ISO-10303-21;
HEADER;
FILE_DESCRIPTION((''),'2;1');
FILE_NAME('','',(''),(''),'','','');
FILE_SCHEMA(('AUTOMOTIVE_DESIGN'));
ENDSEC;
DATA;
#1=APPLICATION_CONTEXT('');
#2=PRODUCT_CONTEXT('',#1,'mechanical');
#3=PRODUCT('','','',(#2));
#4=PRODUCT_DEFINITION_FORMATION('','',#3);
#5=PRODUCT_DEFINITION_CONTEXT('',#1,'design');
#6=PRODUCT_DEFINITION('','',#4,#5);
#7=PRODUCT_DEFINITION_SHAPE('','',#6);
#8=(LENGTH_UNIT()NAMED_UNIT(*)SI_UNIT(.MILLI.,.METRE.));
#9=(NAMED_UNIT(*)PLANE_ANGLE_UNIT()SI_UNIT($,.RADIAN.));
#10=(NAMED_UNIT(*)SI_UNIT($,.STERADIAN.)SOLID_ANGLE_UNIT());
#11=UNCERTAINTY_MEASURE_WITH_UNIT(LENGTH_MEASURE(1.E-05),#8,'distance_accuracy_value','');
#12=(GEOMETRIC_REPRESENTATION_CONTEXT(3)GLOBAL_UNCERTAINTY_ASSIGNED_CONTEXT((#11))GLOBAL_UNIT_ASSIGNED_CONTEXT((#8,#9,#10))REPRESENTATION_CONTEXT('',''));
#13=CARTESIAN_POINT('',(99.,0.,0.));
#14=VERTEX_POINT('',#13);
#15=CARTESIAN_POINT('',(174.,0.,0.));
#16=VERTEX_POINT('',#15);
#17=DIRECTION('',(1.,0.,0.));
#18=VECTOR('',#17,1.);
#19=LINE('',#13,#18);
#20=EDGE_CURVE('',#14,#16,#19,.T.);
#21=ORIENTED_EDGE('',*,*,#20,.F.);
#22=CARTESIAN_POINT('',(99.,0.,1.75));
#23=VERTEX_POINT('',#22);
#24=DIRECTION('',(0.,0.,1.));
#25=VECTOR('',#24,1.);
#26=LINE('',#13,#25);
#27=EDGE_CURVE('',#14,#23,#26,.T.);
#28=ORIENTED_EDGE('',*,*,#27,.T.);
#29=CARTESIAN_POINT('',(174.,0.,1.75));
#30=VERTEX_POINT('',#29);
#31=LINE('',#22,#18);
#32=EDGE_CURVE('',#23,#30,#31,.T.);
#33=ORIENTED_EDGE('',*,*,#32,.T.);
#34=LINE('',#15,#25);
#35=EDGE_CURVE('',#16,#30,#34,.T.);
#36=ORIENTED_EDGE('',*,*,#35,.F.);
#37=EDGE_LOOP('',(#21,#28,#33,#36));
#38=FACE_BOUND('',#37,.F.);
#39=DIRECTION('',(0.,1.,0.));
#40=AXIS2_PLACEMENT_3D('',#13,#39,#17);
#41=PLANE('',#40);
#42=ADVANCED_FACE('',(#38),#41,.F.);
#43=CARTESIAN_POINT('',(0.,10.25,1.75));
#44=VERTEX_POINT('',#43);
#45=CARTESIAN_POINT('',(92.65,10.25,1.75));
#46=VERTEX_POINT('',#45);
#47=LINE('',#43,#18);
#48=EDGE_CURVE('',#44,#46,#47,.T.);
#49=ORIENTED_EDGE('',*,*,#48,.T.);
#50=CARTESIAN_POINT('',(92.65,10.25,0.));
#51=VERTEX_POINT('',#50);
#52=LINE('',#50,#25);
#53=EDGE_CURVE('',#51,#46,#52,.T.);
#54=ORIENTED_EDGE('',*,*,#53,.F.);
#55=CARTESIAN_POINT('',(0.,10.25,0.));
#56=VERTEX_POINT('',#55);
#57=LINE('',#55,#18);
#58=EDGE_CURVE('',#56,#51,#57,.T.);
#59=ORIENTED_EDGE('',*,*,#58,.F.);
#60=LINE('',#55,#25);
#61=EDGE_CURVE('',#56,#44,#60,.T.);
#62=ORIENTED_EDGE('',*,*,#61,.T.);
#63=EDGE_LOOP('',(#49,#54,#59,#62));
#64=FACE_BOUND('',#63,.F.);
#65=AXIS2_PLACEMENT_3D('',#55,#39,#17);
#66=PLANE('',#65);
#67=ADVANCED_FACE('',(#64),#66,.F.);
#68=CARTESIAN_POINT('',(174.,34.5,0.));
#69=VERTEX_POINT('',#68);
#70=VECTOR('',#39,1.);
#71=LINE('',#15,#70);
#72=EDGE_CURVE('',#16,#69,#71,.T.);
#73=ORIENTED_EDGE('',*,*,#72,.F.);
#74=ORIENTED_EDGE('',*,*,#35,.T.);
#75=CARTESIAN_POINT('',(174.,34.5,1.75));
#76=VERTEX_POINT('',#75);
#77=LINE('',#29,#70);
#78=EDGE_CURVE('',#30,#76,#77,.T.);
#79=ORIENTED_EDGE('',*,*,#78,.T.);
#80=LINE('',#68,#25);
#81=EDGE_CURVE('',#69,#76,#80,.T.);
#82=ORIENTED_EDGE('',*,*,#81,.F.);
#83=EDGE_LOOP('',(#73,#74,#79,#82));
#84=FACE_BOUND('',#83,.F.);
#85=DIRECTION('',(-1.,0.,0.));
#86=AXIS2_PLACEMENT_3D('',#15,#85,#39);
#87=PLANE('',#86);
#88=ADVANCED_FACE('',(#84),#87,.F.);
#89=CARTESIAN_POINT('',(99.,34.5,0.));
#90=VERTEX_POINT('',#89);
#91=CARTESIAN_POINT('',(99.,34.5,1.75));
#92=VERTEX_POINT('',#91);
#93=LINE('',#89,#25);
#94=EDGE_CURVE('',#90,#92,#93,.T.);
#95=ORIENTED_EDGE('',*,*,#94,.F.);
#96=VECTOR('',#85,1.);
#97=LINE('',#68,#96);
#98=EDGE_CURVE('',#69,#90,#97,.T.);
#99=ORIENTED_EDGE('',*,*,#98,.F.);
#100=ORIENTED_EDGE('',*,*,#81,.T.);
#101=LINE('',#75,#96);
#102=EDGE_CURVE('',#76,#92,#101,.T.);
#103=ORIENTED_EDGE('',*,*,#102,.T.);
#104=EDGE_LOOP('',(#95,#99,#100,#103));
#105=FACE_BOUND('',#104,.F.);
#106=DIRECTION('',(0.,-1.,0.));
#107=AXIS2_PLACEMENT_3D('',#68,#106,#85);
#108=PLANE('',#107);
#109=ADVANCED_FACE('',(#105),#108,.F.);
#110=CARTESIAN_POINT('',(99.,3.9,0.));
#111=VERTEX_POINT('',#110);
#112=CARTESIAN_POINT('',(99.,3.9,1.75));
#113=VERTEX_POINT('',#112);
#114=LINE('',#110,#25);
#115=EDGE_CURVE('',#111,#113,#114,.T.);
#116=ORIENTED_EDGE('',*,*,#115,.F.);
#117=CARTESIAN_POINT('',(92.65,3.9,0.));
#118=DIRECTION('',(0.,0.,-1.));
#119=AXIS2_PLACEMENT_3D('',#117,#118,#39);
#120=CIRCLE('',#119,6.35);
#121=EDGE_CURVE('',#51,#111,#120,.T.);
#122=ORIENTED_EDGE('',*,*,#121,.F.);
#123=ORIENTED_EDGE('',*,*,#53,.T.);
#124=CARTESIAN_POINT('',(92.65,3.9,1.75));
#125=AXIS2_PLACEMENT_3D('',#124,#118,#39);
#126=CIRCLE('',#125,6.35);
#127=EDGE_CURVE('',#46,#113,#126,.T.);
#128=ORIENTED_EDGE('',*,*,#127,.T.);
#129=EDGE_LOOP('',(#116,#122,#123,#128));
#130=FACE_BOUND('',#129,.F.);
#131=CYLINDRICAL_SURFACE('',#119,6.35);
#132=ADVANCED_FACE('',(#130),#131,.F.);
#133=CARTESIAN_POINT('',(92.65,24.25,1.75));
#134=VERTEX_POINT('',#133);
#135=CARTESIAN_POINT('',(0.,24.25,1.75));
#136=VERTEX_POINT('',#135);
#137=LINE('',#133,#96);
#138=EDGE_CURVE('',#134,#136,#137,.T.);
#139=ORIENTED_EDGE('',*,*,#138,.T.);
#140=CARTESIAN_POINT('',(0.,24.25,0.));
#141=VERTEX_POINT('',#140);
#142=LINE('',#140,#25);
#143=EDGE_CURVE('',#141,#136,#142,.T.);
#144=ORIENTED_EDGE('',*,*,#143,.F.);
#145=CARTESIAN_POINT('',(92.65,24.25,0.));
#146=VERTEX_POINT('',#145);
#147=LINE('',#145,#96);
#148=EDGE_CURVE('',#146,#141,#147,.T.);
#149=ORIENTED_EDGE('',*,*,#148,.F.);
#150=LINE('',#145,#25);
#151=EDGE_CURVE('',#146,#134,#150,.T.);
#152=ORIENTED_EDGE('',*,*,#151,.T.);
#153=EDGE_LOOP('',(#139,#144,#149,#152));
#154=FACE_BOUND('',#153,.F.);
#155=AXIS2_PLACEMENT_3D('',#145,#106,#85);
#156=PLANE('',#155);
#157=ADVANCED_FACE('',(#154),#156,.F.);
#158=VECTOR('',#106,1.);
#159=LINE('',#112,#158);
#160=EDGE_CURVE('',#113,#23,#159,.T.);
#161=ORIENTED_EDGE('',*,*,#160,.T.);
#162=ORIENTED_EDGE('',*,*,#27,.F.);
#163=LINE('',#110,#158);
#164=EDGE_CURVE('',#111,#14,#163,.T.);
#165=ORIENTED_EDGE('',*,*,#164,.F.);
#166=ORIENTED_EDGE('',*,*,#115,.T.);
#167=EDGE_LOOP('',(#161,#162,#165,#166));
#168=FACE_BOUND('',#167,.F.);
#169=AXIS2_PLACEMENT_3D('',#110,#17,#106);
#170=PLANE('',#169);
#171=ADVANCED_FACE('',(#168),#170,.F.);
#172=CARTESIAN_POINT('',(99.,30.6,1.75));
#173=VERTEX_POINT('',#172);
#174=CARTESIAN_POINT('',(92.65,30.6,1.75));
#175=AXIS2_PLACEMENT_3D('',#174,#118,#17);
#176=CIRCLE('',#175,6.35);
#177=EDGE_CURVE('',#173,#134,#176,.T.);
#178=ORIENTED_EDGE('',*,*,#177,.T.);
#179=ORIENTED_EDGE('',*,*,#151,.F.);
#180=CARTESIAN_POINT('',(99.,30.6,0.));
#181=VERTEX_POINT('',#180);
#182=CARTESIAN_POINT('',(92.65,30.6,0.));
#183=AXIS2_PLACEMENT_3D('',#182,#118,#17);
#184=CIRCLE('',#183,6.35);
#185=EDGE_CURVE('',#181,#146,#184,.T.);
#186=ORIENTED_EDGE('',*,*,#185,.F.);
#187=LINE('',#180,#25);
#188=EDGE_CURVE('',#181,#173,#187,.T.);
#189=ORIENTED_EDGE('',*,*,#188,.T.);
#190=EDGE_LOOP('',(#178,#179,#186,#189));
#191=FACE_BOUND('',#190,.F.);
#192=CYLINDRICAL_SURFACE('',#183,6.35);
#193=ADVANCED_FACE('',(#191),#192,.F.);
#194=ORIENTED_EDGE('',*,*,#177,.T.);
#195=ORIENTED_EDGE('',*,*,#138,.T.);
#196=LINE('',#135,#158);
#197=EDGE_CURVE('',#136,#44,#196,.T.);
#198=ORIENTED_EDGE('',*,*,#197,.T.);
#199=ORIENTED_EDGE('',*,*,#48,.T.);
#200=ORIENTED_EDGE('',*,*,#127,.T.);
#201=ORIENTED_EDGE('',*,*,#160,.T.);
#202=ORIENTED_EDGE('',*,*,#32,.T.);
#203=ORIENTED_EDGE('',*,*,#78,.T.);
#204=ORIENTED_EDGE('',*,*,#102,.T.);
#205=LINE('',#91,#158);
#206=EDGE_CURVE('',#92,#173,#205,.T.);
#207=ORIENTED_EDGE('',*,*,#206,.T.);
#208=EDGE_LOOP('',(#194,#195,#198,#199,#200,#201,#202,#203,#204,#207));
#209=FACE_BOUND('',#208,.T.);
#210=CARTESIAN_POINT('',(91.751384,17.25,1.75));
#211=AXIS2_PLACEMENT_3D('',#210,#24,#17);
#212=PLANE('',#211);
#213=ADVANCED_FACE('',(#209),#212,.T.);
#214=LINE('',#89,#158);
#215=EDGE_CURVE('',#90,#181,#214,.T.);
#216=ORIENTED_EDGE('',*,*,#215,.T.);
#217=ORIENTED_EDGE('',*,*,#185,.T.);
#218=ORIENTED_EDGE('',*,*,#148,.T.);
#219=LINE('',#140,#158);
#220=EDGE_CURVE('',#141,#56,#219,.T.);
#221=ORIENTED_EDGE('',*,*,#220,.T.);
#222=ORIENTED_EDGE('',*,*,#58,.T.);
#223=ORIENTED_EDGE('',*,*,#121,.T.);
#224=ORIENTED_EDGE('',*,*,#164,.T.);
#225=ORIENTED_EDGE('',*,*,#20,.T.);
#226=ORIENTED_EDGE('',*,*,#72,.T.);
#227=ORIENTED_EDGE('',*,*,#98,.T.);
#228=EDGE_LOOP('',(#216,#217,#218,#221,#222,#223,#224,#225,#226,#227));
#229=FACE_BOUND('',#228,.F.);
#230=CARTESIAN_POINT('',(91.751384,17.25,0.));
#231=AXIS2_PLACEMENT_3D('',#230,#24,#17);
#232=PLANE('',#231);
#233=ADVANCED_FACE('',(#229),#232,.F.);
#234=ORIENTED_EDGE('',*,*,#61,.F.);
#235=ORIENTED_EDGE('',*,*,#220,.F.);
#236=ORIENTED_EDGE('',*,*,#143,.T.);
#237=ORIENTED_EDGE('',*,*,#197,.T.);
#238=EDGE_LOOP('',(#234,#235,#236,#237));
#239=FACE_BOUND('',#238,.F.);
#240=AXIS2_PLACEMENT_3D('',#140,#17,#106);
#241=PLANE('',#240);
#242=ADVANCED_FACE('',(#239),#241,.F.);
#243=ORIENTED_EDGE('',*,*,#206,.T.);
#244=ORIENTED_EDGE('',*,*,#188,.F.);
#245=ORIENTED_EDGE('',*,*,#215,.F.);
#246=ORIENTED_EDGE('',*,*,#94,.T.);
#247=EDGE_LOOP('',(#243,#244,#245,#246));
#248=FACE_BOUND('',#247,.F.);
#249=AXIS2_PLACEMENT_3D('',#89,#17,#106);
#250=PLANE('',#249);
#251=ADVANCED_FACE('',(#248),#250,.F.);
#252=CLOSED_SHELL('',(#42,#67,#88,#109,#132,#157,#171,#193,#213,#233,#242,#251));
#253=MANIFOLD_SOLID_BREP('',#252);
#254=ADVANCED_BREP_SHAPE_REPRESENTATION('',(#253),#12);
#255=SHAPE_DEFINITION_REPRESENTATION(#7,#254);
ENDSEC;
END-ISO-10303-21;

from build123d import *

# Parameters (mm, degrees)
F1_DEPTH = 1.75


with BuildPart() as f1:
    # F0 (on Top) → F1 (new body)
    with BuildSketch(Plane.XY):
        with BuildLine():
            Line((99, 3.9), (99, 0))
            Line((99, 0), (174, 0))
            Line((174, 0), (174, 34.5))
            Line((174, 34.5), (99, 34.5))
            Line((99, 34.5), (99, 30.6))
            ThreePointArc((99, 30.6), (97.1401280605, 26.1098719395), (92.65, 24.25))
            Line((92.65, 24.25), (0, 24.25))
            Line((0, 24.25), (0, 10.25))
            Line((0, 10.25), (92.65, 10.25))
            ThreePointArc((92.65, 10.25), (97.1401280605, 8.3901280605), (99, 3.9))
        make_face()
    extrude(amount=F1_DEPTH)


solid = f1.part
